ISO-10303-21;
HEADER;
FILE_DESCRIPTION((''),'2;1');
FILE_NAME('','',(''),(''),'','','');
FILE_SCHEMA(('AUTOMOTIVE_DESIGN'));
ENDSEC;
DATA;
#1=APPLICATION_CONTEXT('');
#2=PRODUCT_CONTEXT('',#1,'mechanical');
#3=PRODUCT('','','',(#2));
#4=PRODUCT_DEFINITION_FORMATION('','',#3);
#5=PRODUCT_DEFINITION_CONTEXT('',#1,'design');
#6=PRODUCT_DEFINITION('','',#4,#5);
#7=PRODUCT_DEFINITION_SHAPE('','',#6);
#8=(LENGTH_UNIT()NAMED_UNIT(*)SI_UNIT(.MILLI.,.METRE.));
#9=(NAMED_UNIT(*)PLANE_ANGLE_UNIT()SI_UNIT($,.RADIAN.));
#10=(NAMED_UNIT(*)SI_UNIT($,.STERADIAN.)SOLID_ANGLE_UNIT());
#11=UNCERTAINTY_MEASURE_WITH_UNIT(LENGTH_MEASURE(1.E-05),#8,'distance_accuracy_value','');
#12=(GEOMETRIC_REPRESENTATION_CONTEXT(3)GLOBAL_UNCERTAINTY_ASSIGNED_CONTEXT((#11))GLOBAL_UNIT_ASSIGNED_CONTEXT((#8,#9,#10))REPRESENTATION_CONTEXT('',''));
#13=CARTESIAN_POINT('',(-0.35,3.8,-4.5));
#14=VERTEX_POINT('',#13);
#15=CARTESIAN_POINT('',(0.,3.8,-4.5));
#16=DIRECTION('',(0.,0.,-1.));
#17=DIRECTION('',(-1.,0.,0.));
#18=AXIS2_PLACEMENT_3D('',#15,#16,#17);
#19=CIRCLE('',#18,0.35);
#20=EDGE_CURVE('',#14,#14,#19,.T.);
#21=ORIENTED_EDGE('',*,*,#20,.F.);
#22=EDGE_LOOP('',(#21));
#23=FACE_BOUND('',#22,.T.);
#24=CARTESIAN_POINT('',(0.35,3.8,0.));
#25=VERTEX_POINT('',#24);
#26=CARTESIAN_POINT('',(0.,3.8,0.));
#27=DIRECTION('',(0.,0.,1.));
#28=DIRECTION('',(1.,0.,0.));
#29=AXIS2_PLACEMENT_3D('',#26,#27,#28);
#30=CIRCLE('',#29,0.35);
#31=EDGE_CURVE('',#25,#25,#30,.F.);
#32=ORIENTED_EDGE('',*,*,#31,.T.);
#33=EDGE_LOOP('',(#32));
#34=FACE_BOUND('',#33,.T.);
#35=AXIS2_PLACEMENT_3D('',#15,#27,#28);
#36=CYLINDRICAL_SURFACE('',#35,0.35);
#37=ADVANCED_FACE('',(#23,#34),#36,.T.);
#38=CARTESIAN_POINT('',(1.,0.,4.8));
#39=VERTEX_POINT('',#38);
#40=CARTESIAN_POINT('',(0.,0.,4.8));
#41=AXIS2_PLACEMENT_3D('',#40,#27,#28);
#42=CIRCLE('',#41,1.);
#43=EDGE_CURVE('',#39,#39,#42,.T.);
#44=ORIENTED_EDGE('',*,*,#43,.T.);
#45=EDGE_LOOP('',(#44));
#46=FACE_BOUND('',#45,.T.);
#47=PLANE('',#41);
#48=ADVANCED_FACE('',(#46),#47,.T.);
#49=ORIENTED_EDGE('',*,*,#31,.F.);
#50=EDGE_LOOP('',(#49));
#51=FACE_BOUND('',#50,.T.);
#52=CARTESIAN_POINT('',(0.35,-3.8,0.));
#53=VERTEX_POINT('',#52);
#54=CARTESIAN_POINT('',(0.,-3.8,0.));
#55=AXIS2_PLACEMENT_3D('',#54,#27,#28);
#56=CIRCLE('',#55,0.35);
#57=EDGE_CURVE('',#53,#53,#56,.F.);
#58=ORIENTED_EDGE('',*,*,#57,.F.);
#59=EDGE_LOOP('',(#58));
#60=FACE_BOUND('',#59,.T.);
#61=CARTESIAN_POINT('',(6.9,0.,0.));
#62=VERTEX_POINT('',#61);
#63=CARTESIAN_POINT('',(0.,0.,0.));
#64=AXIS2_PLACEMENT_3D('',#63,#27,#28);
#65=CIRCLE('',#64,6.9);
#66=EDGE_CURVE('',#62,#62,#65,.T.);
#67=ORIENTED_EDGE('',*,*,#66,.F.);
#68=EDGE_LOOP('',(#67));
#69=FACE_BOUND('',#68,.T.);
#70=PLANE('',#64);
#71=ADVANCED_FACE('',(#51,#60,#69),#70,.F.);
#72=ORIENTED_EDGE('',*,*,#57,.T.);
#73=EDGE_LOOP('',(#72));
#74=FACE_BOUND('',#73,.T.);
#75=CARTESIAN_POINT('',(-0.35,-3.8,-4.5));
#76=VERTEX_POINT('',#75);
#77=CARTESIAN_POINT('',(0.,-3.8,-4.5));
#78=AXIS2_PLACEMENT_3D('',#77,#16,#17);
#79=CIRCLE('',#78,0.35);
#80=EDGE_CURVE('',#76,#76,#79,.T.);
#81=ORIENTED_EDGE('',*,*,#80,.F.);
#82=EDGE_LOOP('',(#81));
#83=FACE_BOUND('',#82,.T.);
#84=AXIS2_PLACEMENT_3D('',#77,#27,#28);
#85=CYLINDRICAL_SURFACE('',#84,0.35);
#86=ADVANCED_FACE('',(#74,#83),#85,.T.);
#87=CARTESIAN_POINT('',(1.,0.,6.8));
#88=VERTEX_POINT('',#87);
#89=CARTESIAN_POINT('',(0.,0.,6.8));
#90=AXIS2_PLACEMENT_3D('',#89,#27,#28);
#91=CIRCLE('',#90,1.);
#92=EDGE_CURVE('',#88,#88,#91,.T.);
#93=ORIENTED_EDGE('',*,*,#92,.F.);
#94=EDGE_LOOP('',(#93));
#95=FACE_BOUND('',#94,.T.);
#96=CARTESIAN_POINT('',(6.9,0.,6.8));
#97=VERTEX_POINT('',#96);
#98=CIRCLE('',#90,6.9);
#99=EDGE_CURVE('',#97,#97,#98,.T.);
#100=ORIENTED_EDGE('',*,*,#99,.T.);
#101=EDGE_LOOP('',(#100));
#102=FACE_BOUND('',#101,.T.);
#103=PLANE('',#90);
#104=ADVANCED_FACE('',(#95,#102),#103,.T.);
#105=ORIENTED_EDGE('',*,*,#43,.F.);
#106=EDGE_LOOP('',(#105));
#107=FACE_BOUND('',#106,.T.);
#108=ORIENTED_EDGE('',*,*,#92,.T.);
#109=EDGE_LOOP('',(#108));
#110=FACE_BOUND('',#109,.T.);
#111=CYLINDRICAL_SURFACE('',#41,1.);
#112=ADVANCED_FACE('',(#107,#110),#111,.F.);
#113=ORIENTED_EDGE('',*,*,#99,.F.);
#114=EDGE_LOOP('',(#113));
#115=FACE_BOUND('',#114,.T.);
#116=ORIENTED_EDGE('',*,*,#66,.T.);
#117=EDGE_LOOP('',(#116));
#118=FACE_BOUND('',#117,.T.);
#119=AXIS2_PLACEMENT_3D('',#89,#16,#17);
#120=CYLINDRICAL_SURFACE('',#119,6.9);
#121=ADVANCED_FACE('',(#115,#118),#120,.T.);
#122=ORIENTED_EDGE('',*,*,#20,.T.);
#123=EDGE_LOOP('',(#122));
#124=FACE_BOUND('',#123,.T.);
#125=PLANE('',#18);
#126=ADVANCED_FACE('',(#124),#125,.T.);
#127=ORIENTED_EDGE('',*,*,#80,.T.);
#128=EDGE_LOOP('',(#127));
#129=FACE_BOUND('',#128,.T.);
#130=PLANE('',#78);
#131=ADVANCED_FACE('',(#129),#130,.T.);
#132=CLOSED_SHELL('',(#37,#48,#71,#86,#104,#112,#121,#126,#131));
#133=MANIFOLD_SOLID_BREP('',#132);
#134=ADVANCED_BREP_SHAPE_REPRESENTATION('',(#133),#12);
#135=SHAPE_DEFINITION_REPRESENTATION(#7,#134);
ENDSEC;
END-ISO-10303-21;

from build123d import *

# Parameters (mm, degrees)
SKETCH1_R           = 6.9
BOSS_EXTRUDE1_DEPTH = 6.8
SKETCH2_R           = 1
CUT_EXTRUDE1_DEPTH  = 2
SKETCH3_R           = 0.35
BOSS_EXTRUDE2_DEPTH = 4.5


with BuildPart() as part:
    # Sketch1 → Boss-Extrude1 (new body)
    with BuildSketch(Plane.XY):
        Circle(SKETCH1_R)
    extrude(amount=BOSS_EXTRUDE1_DEPTH)

    # Sketch2 → Cut-Extrude1 (cut)
    with BuildSketch(Plane.XY.offset(6.8)):
        Circle(SKETCH2_R)
    extrude(amount=-CUT_EXTRUDE1_DEPTH, mode=Mode.SUBTRACT)

    # Sketch3 → Boss-Extrude2 (add)
    with BuildSketch(Plane(origin=(0, 0, 0), x_dir=(-1, 0, 0), z_dir=(0, 0, -1))):
        with Locations(Location((0, 3.8, 0), (0, 0, 180))):
            Circle(SKETCH3_R)
        with Locations(Location((0, -3.8, 0), (0, 0, 180))):
            Circle(SKETCH3_R)
    extrude(amount=BOSS_EXTRUDE2_DEPTH)


solid = part.part
